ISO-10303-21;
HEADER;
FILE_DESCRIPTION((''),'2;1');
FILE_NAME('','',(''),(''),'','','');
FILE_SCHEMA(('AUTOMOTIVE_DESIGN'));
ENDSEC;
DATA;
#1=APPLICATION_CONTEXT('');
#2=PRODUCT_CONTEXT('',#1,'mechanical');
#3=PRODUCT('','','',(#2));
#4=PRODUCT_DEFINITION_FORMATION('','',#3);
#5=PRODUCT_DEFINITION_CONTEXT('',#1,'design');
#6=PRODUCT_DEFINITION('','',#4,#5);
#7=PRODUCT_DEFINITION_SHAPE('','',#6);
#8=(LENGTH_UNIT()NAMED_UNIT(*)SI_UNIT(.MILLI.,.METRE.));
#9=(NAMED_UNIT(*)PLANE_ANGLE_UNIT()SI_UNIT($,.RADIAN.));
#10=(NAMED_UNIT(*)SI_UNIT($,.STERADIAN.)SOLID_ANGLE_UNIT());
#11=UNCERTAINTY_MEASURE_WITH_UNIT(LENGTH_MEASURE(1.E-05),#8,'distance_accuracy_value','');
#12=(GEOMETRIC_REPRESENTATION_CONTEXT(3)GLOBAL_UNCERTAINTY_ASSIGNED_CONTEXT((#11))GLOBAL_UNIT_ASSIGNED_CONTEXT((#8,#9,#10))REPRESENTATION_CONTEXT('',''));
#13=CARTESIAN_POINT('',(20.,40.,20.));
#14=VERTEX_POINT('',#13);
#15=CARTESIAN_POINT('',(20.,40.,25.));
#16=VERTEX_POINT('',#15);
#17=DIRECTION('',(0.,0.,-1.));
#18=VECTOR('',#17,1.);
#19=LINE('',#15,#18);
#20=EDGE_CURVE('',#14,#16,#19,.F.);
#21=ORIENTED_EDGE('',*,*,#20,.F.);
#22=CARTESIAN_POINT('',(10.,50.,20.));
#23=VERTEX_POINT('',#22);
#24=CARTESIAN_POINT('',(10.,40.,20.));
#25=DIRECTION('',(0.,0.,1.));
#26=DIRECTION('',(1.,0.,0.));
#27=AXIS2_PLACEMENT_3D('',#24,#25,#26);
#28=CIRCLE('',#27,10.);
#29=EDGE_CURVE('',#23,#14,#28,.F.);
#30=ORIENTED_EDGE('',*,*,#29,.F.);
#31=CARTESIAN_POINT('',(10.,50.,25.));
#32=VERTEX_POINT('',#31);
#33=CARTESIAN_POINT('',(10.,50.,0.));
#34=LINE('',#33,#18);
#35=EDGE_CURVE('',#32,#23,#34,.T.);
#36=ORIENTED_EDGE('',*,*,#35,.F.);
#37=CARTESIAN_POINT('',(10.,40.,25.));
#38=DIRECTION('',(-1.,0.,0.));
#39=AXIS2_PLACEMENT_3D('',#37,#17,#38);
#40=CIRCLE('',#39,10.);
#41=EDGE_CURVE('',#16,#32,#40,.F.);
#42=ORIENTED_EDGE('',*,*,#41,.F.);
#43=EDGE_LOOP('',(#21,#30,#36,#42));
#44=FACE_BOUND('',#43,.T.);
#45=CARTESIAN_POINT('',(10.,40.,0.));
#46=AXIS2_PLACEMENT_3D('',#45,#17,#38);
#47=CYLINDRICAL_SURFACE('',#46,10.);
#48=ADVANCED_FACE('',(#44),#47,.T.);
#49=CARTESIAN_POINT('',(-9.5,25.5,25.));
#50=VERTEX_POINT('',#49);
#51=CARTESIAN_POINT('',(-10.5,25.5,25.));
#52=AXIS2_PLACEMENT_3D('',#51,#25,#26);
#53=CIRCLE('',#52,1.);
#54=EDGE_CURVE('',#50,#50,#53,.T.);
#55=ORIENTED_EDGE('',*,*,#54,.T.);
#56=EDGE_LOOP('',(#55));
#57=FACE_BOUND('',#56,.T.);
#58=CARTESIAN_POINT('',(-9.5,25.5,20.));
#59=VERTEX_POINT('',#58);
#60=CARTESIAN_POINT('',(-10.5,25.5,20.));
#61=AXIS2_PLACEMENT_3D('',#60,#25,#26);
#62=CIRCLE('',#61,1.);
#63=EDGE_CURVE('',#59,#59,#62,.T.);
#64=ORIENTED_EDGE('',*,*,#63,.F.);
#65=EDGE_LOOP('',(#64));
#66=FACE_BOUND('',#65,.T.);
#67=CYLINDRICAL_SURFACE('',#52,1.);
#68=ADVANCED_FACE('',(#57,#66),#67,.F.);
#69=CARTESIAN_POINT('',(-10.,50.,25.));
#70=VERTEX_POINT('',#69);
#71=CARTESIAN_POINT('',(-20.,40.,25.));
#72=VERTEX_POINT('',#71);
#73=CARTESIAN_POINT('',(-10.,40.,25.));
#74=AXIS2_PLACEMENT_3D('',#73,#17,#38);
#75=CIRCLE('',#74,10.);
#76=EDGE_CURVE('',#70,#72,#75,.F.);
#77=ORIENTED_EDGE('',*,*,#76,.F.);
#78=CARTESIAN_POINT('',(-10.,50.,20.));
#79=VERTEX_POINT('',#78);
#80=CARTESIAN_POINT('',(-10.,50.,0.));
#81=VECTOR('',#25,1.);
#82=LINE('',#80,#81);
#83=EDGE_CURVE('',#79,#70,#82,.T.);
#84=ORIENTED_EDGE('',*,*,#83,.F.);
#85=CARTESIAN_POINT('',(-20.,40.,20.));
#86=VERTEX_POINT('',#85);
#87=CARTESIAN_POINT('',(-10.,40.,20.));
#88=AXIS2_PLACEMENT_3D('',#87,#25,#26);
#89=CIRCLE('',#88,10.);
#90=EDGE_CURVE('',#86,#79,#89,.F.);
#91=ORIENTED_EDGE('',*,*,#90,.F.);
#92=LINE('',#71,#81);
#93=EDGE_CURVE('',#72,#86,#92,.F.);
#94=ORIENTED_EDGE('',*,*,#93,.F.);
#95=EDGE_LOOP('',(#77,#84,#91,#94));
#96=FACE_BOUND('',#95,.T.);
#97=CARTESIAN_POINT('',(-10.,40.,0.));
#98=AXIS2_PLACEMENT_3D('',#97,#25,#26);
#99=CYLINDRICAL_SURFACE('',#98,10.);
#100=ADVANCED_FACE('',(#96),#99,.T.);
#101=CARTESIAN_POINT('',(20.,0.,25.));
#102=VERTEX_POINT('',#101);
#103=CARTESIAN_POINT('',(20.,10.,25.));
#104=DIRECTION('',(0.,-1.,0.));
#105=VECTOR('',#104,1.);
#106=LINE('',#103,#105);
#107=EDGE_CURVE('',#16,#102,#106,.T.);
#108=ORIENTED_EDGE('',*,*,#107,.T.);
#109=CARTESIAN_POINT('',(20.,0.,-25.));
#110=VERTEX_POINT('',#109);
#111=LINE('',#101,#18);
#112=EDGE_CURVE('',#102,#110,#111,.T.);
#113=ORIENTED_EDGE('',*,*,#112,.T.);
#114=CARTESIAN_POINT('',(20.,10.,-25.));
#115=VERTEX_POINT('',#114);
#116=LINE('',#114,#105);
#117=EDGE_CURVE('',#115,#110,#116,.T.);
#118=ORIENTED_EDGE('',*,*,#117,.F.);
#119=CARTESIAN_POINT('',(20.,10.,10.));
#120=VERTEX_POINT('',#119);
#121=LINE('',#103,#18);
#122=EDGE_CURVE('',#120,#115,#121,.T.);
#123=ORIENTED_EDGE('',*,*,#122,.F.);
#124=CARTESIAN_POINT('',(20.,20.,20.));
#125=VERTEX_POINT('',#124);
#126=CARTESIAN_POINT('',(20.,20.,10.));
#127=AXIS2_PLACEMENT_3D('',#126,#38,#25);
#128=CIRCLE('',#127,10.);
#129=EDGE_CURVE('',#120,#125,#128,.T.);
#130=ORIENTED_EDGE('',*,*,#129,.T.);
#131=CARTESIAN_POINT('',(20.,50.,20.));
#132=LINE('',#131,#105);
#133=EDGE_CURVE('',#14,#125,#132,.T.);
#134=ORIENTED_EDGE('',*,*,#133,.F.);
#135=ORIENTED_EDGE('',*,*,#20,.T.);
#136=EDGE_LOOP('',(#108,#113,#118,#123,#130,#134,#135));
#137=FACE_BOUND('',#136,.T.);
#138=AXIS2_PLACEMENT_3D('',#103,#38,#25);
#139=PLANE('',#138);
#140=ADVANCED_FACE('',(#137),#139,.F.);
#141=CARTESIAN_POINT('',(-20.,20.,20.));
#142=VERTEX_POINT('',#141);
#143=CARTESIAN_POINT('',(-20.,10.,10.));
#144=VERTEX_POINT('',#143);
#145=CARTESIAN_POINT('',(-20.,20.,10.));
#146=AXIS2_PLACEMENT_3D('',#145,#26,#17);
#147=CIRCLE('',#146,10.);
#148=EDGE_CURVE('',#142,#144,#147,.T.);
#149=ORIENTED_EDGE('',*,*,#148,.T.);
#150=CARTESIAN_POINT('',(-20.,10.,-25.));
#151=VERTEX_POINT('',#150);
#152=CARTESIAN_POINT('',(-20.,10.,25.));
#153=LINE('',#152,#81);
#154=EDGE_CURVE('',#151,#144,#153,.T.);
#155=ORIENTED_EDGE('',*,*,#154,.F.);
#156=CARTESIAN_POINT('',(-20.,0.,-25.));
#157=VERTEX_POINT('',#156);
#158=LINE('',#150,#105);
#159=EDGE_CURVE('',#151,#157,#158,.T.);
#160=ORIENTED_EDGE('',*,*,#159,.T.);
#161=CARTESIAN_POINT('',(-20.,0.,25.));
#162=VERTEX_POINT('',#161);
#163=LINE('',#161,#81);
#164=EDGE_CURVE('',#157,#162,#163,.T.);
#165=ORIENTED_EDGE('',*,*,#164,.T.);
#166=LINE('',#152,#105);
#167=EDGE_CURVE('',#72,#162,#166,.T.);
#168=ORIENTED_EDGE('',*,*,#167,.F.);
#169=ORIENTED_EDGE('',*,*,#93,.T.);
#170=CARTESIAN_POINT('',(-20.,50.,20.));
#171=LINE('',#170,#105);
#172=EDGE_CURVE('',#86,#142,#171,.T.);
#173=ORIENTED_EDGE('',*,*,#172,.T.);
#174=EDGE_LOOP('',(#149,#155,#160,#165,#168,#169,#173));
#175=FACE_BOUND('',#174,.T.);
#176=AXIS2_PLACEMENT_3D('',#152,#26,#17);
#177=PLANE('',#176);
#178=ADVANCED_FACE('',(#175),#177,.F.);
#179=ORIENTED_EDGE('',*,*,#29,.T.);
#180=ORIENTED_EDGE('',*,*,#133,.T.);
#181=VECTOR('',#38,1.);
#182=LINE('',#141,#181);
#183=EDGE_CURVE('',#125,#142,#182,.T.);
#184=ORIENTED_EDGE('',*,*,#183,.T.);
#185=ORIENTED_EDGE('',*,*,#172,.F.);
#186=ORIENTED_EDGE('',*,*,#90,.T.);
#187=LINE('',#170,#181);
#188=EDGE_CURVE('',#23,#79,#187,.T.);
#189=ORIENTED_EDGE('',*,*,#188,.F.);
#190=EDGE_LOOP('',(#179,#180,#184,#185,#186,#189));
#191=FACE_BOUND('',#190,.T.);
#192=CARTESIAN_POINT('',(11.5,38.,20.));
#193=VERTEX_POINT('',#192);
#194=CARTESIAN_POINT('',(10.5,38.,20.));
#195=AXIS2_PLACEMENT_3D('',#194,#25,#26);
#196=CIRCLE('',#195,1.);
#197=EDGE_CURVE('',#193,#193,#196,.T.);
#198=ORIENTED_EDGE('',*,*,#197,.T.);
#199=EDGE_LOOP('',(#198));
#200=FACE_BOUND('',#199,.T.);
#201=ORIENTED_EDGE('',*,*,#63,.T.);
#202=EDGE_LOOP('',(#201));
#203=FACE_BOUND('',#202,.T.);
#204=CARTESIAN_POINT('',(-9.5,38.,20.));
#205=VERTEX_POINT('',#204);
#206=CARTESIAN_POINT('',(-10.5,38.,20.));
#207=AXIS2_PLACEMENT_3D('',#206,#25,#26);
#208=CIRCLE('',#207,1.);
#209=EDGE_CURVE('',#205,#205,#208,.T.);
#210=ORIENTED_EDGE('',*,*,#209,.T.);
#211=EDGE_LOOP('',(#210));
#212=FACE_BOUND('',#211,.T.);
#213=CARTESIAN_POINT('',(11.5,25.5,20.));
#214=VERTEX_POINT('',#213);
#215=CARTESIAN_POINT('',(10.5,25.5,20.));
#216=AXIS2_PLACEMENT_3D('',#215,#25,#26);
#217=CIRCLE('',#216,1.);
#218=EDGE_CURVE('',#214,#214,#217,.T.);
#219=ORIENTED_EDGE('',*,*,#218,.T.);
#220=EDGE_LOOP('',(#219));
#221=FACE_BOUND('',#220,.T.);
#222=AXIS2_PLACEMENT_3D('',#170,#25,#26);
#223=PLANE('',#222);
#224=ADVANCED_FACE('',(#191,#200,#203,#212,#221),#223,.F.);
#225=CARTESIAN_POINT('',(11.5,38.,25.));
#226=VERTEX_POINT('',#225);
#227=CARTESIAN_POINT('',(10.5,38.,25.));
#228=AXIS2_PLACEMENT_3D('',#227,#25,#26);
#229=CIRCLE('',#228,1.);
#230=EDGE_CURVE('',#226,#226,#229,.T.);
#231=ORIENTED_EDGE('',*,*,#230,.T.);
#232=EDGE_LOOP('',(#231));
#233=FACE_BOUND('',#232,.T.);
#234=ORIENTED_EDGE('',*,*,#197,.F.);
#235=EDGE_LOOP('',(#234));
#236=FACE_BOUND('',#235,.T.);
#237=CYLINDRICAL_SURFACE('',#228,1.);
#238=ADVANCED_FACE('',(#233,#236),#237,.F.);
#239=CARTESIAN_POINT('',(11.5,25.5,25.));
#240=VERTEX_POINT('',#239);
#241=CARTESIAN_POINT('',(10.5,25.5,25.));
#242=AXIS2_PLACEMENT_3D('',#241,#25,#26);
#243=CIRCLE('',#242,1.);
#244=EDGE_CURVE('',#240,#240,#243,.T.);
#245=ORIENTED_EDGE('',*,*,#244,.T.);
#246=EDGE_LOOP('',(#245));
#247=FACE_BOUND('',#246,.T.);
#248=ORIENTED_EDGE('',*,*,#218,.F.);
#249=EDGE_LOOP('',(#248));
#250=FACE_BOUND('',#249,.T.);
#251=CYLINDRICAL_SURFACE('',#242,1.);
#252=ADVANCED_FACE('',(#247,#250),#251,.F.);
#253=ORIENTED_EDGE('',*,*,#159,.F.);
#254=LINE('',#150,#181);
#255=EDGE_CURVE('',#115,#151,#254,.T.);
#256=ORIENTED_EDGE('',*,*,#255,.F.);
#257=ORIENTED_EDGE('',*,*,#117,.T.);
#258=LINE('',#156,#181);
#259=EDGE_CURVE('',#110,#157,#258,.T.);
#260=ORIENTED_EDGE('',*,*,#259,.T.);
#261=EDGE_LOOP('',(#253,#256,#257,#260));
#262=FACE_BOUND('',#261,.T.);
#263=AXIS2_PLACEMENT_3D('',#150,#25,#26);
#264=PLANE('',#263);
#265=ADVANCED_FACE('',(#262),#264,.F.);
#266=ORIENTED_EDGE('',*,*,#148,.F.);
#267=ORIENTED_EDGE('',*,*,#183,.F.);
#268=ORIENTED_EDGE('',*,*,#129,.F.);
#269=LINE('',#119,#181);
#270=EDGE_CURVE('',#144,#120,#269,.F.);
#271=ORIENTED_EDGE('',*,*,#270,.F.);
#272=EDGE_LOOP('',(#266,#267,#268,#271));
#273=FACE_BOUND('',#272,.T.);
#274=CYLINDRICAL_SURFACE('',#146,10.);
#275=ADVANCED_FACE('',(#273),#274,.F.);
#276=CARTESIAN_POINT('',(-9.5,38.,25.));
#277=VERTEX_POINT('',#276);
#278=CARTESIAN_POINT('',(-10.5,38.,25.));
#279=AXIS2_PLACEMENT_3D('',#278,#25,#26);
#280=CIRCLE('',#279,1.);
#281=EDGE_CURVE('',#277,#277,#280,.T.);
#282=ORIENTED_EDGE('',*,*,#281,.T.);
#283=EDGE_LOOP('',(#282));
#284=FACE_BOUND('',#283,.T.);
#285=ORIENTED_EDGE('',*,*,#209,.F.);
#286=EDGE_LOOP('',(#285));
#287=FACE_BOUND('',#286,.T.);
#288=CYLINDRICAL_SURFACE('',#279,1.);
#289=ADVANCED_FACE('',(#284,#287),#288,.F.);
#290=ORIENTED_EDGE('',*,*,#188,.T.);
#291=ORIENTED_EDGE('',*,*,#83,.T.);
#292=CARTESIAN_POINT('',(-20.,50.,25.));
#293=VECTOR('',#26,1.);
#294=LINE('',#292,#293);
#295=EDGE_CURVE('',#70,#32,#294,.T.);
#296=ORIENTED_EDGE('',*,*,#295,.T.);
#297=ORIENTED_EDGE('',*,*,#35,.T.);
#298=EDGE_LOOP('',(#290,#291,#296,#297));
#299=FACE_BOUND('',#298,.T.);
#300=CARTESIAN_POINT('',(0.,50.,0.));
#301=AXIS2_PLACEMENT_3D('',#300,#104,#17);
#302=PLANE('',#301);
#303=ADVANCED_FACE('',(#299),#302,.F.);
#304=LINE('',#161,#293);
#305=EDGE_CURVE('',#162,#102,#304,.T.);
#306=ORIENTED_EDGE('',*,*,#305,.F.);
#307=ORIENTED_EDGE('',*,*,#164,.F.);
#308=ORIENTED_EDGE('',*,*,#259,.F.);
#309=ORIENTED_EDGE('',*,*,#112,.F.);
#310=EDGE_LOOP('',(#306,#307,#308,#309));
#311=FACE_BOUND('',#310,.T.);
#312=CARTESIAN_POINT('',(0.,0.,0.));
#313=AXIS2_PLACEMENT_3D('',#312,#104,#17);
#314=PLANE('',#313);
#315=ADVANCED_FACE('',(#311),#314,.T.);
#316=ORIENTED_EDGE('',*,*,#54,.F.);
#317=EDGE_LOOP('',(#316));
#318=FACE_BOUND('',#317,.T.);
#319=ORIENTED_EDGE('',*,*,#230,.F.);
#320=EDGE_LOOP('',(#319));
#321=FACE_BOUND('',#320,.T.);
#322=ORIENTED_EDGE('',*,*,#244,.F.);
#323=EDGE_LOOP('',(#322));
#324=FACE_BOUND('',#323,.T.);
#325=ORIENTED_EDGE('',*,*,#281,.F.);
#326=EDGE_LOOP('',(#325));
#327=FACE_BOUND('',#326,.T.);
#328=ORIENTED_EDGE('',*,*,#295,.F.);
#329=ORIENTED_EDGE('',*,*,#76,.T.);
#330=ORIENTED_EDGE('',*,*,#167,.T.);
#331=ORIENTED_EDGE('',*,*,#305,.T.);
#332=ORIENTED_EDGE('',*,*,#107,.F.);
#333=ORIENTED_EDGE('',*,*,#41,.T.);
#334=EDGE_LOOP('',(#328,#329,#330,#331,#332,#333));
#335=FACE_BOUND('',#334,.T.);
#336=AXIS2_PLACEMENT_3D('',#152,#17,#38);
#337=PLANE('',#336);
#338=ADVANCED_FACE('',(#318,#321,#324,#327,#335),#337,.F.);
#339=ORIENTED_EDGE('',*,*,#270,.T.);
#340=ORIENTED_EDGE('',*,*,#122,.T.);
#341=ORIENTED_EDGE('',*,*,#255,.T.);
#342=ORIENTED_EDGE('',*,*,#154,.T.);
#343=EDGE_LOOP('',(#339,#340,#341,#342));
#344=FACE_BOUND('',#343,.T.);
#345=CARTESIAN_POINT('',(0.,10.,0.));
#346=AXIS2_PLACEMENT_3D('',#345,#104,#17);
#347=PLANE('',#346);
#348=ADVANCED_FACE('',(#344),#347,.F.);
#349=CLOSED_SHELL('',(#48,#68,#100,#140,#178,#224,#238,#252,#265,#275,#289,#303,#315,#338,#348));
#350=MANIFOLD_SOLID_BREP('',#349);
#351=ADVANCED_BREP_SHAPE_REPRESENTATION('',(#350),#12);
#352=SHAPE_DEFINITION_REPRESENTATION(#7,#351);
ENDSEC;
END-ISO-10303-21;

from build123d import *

# Parameters (mm, degrees)
SKETCH1_W             = 40
SKETCH1_H             = 50
BOSS_EXTRUDE1_DEPTH   = 10
SKETCH2_W             = 40
SKETCH2_H             = 5
BOSS_EXTRUDE2_DEPTH   = 40
F_2_0MM_DOWEL_HOLE1_D = 2
FILLET1_R             = 10


with BuildPart() as part:
    # Sketch1 → Boss-Extrude1 (new body)
    with BuildSketch(Plane(origin=(0, 0, 0), x_dir=(1, 0, 0), z_dir=(0, 1, 0))):
        Rectangle(SKETCH1_W, SKETCH1_H)
    extrude(amount=BOSS_EXTRUDE1_DEPTH)

    # Sketch2 → Boss-Extrude2 (add)
    with BuildSketch(Plane(origin=(0, 10, 0), x_dir=(1, 0, 0), z_dir=(0, 1, 0))):
        with Locations((0, -22.5)):
            Rectangle(SKETCH2_W, SKETCH2_H)
    extrude(amount=BOSS_EXTRUDE2_DEPTH)

    # Ø2.0mm Dowel Hole1 (through all)
    with Locations(Plane.XY.offset(25)):
        with Locations((-10.5, 38), (10.5, 38), (-10.5, 25.5), (10.5, 25.5)):
            Hole(F_2_0MM_DOWEL_HOLE1_D / 2)

    # Fillet1
    fillet1_edges = [part.edges().sort_by_distance(p)[0] for p in [
        (0, 10, 20),
        (-20, 50, 22.5),
        (20, 50, 22.5),
    ]]
    fillet(fillet1_edges, radius=FILLET1_R)


solid = part.part
